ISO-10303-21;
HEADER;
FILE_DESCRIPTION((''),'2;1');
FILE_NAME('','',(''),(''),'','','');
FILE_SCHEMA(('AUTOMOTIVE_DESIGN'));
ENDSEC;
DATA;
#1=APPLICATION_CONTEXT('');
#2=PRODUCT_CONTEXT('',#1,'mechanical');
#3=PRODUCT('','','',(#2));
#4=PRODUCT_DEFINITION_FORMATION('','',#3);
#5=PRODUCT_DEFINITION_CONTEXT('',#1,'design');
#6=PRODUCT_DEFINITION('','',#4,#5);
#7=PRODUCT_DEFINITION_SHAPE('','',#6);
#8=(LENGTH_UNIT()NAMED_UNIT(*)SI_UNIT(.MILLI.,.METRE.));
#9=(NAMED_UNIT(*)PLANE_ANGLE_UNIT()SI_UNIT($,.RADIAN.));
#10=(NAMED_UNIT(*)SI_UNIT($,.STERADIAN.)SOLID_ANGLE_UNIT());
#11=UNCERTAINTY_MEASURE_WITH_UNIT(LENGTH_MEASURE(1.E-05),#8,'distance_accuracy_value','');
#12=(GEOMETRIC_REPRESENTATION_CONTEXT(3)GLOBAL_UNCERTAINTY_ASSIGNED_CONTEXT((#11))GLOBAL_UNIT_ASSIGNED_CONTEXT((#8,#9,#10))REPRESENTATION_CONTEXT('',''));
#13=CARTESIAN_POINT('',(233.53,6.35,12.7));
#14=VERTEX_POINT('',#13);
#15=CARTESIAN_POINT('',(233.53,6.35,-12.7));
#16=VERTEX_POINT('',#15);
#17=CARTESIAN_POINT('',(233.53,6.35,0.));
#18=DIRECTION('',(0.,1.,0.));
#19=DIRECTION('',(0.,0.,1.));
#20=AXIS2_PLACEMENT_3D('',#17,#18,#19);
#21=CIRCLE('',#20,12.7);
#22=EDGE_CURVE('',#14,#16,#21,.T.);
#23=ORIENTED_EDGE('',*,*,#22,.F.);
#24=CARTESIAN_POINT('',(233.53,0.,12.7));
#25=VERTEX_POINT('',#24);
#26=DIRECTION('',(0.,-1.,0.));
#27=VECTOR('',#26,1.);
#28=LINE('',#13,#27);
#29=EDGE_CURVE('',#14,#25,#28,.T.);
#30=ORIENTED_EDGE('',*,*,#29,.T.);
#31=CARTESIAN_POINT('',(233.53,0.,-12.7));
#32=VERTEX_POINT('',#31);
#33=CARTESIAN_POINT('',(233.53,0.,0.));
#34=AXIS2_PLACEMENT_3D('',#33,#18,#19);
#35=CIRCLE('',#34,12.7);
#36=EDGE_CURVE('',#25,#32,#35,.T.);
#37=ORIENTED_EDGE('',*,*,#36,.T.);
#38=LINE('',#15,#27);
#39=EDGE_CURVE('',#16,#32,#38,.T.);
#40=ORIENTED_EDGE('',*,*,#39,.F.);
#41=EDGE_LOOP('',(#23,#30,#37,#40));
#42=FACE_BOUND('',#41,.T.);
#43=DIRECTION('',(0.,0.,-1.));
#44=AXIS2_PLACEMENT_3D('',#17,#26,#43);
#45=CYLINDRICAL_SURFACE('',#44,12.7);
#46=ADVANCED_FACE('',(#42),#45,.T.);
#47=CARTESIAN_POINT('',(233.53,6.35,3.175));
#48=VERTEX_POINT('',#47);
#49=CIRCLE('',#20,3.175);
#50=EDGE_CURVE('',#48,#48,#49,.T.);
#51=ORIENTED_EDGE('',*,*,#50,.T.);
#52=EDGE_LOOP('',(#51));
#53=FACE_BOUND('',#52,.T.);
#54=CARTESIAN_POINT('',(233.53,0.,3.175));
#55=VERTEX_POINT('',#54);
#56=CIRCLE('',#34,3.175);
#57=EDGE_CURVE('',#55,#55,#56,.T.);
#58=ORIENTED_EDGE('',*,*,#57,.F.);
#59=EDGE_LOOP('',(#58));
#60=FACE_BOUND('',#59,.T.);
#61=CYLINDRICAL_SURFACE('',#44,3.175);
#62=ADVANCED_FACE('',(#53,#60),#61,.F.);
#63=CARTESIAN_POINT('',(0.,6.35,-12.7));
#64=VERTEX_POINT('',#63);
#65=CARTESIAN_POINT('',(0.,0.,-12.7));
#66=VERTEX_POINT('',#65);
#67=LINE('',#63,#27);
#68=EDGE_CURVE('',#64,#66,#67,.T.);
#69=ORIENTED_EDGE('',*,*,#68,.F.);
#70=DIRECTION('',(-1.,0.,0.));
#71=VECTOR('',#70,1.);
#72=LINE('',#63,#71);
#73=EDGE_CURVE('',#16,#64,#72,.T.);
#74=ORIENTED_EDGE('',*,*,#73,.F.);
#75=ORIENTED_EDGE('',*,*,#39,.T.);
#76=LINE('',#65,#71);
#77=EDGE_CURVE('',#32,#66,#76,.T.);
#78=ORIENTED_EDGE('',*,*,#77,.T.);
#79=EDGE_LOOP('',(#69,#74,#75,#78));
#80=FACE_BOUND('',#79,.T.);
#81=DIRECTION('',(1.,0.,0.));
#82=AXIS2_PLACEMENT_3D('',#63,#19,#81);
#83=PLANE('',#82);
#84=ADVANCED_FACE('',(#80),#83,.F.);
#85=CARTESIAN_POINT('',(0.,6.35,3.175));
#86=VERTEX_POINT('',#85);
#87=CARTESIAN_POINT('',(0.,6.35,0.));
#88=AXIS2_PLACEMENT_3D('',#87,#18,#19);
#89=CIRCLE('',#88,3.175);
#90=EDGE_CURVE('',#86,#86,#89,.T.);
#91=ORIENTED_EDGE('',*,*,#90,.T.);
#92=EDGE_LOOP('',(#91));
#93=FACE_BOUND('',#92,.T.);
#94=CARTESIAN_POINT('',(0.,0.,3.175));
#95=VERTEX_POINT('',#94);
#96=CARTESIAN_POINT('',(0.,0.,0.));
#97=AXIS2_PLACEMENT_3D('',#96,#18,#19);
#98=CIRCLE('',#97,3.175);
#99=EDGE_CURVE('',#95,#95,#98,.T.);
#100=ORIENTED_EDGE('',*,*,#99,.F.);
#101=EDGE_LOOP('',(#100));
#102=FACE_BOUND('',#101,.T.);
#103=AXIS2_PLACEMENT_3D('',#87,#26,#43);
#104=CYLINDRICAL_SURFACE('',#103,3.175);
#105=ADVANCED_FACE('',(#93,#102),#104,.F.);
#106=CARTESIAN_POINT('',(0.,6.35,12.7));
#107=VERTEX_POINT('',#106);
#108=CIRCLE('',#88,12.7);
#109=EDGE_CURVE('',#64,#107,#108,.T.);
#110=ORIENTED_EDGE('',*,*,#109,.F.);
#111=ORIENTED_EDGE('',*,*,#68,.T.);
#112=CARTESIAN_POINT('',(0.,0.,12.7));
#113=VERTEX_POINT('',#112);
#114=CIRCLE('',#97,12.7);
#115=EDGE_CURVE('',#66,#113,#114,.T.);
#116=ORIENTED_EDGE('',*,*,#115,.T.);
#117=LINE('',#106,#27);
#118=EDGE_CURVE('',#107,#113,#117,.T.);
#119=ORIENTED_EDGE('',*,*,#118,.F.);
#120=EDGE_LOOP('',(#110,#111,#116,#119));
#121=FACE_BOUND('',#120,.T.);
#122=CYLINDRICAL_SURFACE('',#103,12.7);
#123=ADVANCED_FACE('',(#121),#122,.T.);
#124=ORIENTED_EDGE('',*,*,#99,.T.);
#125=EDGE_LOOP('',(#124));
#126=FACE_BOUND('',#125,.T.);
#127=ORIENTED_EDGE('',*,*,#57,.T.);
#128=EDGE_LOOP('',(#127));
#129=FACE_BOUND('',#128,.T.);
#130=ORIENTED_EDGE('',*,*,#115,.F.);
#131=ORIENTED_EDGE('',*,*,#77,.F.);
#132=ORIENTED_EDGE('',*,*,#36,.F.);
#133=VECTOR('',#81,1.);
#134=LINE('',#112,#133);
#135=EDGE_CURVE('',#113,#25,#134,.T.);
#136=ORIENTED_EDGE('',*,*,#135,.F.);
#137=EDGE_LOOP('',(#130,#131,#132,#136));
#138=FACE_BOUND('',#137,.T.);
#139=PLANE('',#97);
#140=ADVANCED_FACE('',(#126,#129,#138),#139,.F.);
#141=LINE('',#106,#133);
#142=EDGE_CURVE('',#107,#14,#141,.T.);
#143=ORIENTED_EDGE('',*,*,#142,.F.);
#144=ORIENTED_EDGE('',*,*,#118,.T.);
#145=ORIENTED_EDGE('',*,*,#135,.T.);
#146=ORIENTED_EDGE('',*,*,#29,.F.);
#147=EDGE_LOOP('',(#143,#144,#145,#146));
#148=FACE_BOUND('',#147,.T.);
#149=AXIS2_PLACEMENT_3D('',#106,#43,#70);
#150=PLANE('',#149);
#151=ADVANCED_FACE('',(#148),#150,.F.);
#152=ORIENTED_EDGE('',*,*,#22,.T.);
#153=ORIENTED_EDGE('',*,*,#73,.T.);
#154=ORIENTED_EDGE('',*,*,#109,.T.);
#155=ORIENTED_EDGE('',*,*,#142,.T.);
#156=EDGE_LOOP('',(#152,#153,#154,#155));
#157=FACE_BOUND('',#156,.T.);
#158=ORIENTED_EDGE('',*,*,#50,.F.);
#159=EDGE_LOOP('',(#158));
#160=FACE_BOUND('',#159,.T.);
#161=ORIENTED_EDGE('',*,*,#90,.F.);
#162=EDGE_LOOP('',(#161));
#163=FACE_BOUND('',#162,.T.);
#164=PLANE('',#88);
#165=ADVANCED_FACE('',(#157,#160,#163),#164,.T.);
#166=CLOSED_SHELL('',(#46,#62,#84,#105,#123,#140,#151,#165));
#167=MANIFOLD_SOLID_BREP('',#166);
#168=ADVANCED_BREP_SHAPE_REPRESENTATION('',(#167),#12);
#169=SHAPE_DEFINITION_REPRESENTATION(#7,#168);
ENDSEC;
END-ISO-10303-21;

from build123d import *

# Parameters (mm, degrees)
SKETCH1_R           = 3.175
BOSS_EXTRUDE1_DEPTH = 6.35


with BuildPart() as part:
    # Sketch1 → Boss-Extrude1 (new body)
    with BuildSketch(Plane(origin=(0, 0, 0), x_dir=(1, 0, 0), z_dir=(0, 1, 0))):
        with BuildLine():
            Line((0, 12.7), (233.53, 12.7))
            ThreePointArc((233.53, 12.7), (246.23, 0), (233.53, -12.7))
            Line((233.53, -12.7), (0, -12.7))
            ThreePointArc((0, -12.7), (-12.7, 0), (0, 12.7))
        make_face()
        Circle(SKETCH1_R, mode=Mode.SUBTRACT)
        with Locations((233.53, 0)):
            Circle(SKETCH1_R, mode=Mode.SUBTRACT)
    extrude(amount=BOSS_EXTRUDE1_DEPTH)


solid = part.part
